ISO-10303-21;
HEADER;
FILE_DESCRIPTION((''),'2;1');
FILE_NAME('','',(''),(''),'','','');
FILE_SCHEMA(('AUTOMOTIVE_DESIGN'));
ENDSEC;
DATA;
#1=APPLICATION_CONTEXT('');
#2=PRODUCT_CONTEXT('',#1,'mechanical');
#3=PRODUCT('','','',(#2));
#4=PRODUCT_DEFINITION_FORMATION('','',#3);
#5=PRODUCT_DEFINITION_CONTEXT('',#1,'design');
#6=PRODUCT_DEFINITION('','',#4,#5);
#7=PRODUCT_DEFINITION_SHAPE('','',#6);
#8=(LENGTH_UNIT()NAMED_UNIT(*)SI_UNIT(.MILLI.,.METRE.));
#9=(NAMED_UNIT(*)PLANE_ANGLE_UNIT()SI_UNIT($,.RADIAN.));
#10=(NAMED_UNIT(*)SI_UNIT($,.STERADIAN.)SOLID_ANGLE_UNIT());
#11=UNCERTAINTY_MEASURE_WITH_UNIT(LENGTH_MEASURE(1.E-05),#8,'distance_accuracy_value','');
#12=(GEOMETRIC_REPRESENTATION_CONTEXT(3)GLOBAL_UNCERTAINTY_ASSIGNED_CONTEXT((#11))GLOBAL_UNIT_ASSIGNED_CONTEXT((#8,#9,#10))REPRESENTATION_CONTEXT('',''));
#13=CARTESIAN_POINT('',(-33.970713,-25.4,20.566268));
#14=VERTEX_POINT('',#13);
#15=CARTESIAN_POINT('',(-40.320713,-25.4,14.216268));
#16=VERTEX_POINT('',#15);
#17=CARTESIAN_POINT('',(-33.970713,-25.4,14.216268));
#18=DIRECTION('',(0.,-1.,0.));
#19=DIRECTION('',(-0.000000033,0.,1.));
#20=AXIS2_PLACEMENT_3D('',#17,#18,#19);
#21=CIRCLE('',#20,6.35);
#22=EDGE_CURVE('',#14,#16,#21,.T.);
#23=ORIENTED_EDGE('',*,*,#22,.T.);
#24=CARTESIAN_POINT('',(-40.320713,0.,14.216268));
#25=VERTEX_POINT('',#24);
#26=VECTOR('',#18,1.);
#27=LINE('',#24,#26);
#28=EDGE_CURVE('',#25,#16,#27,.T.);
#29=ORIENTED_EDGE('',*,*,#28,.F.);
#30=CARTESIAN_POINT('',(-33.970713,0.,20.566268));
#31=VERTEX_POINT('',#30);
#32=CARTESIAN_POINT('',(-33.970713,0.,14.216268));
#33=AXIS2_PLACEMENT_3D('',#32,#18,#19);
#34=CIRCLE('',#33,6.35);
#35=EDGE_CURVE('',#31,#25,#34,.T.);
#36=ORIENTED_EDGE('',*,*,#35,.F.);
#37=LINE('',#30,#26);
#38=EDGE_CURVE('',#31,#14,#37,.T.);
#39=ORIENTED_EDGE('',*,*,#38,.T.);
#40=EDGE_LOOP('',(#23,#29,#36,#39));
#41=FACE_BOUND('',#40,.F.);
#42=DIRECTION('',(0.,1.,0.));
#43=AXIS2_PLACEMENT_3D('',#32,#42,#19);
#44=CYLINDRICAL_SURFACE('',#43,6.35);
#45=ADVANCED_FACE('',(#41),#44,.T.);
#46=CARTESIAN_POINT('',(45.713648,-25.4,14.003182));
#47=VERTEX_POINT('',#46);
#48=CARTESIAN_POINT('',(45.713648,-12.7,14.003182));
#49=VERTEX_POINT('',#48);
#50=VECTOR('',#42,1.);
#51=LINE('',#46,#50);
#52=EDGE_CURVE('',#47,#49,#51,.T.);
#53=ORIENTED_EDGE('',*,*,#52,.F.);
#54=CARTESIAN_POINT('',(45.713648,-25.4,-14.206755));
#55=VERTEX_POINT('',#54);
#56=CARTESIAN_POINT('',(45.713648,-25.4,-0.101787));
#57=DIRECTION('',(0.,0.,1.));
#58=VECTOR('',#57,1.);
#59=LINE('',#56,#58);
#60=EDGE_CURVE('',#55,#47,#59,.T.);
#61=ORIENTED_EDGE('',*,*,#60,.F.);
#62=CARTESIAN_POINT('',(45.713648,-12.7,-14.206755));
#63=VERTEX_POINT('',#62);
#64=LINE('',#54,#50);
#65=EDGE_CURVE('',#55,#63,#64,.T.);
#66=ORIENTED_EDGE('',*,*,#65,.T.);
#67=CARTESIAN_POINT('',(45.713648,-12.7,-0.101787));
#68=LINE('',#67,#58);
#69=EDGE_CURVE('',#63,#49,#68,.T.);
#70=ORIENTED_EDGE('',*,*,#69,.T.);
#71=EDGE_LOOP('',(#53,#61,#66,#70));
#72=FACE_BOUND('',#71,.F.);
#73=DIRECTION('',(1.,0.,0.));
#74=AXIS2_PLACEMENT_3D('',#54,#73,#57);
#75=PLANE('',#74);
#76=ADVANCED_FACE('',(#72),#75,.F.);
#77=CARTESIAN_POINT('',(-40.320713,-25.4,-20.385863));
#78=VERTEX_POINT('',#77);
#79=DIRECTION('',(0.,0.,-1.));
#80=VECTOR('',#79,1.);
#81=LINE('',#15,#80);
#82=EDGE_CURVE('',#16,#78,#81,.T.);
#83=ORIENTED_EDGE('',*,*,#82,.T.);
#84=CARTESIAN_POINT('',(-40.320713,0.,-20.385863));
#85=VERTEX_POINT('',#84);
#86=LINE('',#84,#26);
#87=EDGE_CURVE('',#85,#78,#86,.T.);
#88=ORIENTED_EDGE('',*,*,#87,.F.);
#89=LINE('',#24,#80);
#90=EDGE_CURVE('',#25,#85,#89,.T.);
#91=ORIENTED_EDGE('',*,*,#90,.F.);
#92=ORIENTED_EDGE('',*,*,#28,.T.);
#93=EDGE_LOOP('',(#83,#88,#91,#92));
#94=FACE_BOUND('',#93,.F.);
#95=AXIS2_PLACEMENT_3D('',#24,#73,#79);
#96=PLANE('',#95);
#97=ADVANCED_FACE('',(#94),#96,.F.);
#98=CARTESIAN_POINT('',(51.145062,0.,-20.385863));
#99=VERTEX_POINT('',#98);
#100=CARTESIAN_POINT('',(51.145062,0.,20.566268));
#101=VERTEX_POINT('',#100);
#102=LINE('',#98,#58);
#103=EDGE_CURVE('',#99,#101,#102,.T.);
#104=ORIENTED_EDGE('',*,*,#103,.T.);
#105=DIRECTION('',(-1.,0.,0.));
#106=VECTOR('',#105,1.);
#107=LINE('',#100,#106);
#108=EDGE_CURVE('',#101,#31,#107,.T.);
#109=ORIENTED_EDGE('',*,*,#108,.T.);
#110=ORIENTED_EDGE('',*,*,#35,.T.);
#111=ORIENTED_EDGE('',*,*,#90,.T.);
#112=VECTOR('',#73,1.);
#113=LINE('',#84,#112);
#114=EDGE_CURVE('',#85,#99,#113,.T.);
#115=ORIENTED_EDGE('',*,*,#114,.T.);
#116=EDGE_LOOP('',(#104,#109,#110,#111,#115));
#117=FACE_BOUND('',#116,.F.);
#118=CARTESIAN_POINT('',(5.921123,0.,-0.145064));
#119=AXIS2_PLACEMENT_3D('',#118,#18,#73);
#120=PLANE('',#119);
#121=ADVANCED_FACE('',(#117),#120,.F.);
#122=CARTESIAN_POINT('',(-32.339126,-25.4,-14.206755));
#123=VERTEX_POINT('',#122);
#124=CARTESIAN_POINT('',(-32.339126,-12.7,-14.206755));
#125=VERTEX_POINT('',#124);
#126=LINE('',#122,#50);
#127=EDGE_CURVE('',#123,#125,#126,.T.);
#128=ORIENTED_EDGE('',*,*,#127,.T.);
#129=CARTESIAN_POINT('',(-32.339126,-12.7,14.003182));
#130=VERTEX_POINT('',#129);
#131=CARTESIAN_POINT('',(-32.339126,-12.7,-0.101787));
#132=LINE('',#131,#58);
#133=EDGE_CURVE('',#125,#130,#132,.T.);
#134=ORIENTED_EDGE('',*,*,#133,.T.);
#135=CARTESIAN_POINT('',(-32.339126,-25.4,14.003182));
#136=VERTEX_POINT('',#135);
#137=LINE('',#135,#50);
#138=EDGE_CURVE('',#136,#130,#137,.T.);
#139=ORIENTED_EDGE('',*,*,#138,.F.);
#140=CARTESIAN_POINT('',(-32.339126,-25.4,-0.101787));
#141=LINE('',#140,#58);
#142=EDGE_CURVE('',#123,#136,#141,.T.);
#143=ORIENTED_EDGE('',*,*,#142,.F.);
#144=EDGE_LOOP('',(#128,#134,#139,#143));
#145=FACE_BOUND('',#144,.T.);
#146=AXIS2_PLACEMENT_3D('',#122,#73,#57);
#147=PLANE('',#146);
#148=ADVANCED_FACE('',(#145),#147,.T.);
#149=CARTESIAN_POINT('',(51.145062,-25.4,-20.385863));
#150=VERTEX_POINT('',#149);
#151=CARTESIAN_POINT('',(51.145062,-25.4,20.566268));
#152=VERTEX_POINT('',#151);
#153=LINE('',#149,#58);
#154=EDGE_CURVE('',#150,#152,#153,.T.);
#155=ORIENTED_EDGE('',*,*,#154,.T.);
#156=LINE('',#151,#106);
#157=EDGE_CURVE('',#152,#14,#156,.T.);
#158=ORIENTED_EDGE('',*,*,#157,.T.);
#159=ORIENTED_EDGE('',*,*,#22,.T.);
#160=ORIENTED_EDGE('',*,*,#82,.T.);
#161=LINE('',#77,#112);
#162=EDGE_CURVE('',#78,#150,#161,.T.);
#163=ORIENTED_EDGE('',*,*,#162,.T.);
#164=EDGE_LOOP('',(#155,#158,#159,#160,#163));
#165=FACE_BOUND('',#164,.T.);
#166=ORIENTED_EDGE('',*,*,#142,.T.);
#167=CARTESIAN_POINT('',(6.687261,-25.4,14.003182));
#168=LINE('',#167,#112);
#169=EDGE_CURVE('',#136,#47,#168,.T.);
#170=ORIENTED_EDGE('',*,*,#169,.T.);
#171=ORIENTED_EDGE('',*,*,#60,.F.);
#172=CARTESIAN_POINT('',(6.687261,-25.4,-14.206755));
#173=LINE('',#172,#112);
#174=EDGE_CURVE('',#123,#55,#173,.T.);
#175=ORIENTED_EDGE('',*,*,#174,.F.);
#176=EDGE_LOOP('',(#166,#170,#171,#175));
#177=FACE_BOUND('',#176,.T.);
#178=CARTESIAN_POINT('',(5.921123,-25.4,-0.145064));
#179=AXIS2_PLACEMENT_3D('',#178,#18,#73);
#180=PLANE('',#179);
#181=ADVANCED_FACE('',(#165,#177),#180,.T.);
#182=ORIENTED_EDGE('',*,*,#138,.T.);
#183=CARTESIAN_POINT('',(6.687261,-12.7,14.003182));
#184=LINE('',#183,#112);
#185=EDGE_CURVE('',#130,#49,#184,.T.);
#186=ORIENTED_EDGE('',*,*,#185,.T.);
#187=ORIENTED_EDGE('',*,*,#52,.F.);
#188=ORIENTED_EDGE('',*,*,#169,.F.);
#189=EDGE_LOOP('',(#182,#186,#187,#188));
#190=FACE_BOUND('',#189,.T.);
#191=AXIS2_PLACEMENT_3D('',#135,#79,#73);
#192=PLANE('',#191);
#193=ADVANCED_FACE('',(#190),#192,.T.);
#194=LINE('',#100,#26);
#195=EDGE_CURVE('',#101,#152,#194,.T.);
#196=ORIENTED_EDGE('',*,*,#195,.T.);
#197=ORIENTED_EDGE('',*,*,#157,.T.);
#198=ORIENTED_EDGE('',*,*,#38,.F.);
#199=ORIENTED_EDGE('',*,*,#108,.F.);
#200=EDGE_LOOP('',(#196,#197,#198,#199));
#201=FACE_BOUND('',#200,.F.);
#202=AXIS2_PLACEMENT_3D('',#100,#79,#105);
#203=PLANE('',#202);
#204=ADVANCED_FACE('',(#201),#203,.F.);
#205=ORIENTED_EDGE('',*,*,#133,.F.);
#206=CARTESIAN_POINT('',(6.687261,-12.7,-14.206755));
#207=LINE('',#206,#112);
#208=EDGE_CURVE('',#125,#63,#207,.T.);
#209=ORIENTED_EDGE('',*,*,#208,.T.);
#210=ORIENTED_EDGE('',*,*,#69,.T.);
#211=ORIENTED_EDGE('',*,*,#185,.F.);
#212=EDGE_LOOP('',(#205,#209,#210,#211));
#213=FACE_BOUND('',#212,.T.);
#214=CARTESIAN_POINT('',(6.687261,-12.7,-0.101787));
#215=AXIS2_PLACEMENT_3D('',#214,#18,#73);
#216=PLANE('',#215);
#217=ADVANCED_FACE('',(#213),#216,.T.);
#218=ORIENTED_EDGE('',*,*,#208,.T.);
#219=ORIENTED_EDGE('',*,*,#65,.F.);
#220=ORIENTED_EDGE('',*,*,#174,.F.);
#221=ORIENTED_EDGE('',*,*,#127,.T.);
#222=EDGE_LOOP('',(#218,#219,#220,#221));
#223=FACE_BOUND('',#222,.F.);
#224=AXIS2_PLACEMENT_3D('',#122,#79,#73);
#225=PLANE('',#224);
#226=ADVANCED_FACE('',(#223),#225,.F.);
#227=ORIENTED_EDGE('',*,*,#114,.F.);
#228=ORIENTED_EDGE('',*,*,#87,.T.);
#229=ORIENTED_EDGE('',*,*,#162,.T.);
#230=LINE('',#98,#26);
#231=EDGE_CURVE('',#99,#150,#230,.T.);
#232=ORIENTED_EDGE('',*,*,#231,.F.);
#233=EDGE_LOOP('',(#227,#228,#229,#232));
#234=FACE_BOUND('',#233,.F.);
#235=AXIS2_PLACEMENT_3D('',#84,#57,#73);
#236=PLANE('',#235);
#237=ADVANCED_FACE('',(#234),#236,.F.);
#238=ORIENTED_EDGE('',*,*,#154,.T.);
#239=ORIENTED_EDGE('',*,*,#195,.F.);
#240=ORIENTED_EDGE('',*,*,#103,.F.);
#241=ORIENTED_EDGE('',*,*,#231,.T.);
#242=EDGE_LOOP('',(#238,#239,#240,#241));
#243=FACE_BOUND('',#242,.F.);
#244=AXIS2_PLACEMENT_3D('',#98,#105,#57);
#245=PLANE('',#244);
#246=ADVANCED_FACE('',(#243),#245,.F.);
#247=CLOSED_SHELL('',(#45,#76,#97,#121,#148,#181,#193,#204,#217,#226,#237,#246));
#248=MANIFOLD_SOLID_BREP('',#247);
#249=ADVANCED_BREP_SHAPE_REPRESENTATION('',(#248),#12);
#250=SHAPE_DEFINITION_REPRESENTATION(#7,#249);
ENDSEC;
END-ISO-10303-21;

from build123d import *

# Parameters (mm, degrees)
F1_DEPTH = 25.4
F2_W     = 78.052774
F2_H     = 28.209937
F3_DEPTH = 12.7


with BuildPart() as f1:
    # F0 (on Front) → F1 (new body)
    with BuildSketch(Plane.XZ):
        with BuildLine():
            Line((51.145062, 20.566268), (-33.970713, 20.566268))
            ThreePointArc((-33.970713, 20.566268), (-38.460841, 18.706396), (-40.320713, 14.216268))
            Line((-40.320713, 14.216268), (-40.320713, -20.385863))
            Line((-40.320713, -20.385863), (51.145062, -20.385863))
            Line((51.145062, -20.385863), (51.145062, 20.566268))
        make_face()
    extrude(amount=F1_DEPTH)

    # F2 (on face) → F3 (cut)
    with BuildSketch(Plane.XZ.offset(25.4)):
        with Locations((6.687261, -0.101787)):
            Rectangle(F2_W, F2_H)
    extrude(amount=-F3_DEPTH, mode=Mode.SUBTRACT)


solid = f1.part
